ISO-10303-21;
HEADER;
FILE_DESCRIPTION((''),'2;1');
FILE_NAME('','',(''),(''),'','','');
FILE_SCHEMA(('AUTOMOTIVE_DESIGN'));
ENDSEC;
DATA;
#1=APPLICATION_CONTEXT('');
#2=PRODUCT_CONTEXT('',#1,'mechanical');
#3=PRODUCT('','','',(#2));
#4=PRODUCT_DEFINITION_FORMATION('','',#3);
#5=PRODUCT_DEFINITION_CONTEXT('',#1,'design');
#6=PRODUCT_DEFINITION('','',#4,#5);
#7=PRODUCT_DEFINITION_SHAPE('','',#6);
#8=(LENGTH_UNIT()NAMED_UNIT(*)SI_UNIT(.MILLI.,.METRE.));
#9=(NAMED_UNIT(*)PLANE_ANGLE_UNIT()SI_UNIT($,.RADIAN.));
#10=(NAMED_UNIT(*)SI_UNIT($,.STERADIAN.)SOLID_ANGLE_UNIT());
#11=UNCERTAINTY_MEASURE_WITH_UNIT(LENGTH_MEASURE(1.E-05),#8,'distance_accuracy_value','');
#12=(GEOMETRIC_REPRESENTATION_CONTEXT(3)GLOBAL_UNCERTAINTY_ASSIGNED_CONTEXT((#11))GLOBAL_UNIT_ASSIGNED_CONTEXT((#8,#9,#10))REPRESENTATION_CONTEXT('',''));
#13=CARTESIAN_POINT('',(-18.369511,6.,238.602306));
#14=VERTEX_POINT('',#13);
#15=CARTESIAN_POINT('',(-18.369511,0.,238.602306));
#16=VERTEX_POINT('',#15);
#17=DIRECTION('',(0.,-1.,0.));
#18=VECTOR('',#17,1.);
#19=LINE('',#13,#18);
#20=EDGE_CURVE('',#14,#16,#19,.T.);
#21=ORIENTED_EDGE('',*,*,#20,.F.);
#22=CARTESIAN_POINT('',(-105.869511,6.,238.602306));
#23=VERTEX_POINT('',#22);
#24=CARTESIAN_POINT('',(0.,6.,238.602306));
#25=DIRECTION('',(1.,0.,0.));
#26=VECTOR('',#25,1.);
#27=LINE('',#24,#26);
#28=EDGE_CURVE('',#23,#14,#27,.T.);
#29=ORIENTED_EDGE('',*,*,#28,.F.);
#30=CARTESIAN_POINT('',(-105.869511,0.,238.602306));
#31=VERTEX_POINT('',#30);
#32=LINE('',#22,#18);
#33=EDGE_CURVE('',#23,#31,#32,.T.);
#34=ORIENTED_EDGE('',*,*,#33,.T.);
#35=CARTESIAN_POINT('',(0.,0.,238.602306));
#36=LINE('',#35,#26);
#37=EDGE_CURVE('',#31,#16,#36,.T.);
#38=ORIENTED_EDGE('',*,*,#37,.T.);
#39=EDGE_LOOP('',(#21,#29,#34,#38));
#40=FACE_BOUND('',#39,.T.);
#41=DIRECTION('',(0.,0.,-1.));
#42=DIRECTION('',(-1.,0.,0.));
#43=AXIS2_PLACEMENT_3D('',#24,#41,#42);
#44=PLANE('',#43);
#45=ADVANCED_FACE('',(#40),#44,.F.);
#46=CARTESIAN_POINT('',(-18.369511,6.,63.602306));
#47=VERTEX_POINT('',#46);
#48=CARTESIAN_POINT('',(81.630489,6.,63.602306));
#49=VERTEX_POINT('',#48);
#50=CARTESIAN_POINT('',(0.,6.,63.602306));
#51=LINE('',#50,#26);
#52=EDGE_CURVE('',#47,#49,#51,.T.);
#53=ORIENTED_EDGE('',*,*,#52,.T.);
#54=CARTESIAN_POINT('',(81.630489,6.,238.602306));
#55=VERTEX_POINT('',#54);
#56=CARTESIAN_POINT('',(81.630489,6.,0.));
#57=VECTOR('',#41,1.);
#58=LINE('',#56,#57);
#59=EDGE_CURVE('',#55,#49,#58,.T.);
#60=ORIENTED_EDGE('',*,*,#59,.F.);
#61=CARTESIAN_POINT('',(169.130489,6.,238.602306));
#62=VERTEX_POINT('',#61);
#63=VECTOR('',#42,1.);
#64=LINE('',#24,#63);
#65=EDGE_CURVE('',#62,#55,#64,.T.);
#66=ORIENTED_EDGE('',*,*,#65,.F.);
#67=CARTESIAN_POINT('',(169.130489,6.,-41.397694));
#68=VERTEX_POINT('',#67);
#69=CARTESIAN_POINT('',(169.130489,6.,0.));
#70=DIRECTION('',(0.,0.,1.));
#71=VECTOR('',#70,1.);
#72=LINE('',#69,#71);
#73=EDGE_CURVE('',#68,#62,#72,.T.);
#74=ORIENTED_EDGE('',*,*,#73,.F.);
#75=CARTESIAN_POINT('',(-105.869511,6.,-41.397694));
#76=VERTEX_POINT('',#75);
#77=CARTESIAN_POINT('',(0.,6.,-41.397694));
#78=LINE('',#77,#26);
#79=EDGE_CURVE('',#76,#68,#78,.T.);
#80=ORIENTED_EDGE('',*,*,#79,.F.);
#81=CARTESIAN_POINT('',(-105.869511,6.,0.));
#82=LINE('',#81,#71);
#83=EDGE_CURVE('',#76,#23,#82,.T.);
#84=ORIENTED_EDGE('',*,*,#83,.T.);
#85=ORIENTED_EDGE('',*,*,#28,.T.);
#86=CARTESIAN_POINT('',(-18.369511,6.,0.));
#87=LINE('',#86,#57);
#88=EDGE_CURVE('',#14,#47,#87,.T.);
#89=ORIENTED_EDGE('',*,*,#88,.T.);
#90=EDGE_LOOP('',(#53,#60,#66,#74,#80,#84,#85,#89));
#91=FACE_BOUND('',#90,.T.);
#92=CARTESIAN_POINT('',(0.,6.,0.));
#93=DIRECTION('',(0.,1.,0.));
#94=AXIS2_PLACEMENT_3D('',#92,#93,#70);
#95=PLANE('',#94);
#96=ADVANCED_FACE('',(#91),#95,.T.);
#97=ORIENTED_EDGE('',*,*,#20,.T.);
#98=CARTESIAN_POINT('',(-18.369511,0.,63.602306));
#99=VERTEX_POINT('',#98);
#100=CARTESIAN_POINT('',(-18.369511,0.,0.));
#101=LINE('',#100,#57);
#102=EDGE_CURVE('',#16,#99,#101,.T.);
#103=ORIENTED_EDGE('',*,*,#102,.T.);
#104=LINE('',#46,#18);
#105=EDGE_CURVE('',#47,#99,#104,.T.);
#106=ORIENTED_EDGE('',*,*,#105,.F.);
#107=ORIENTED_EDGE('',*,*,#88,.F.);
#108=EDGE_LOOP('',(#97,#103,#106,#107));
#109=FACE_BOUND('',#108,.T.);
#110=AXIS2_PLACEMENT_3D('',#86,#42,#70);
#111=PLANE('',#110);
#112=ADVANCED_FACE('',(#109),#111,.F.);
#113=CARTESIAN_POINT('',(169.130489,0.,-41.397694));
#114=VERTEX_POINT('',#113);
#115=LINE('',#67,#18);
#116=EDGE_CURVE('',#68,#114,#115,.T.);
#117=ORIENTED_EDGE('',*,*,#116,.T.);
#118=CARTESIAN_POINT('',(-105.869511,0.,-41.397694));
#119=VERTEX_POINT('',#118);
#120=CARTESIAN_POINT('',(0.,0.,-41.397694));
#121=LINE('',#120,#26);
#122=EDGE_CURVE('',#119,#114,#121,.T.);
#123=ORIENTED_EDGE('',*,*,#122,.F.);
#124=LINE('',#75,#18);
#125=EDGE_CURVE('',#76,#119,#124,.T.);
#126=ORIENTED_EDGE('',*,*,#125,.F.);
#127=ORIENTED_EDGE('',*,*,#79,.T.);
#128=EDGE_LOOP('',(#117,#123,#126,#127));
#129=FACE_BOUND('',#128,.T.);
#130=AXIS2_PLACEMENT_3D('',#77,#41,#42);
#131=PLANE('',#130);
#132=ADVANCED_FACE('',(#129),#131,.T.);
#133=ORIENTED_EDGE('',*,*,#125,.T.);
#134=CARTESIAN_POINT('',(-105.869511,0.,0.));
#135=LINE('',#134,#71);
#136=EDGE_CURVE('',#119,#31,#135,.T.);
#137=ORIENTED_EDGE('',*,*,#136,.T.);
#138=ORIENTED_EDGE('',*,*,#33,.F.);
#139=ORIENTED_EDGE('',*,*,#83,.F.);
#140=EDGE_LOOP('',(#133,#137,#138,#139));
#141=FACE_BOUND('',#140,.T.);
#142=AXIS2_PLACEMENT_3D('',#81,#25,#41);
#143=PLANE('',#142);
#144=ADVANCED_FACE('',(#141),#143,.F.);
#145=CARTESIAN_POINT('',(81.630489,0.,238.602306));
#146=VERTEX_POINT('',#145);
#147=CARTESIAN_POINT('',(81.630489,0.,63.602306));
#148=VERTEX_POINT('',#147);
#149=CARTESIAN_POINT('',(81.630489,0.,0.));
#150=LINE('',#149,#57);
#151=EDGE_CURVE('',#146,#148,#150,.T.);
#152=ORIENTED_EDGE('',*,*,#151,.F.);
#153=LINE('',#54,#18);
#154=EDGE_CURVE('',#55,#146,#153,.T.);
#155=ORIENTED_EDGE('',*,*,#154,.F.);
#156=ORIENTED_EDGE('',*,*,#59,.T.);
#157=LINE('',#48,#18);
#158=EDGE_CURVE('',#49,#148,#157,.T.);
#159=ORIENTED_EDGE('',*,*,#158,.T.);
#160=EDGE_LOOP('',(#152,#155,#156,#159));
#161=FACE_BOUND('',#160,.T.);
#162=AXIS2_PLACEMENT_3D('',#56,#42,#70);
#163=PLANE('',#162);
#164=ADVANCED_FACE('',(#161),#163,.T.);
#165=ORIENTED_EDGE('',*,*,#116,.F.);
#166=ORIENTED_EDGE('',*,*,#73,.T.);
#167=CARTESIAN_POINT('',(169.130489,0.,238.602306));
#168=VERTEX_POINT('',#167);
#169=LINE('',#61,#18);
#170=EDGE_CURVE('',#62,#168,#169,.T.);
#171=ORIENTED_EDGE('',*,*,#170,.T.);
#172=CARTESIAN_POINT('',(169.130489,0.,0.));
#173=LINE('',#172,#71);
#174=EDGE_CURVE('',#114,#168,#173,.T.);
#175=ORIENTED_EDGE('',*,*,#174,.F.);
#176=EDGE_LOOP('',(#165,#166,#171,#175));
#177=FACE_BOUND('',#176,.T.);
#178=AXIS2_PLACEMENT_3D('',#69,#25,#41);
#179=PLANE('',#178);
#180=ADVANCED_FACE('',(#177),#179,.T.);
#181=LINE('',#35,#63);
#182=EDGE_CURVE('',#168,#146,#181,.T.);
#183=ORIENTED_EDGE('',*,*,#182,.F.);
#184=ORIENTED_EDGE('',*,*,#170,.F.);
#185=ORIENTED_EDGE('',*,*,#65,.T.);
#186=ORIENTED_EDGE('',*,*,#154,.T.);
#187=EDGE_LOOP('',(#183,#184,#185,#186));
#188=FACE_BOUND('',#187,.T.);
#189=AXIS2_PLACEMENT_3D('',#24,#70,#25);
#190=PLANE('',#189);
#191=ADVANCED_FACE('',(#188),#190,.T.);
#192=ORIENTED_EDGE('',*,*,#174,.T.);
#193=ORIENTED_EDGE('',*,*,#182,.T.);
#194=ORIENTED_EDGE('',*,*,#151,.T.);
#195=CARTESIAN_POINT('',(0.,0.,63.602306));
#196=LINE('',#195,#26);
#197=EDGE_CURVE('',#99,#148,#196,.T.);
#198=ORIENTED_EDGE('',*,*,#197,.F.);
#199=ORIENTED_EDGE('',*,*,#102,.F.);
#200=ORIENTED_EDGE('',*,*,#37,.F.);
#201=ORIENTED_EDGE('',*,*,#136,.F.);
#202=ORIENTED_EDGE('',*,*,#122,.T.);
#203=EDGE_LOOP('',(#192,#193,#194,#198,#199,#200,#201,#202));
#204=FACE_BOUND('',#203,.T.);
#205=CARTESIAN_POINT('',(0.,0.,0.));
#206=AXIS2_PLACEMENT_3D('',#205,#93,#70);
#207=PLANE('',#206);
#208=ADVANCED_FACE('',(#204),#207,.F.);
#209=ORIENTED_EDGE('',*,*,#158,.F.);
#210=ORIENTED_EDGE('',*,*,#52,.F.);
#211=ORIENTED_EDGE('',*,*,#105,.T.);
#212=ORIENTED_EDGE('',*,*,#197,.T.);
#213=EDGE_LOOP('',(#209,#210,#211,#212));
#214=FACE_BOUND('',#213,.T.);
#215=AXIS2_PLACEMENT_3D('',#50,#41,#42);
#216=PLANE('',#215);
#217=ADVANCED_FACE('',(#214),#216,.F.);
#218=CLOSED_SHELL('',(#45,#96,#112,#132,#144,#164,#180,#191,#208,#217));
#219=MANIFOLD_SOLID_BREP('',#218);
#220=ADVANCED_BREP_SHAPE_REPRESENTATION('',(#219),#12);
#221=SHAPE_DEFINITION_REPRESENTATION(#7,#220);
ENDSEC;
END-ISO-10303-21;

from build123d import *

# Parameters (mm, degrees)
BOSS_EXTRUDE2_DEPTH = 6


with BuildPart() as part:
    # Sketch1 → Boss-Extrude2 (new body)
    with BuildSketch(Plane(origin=(0, 0, 0), x_dir=(1, 0, 0), z_dir=(0, 1, 0))):
        Polygon((-18.369511404, -238.602306438), (-18.369511404, -63.602306438), (81.630488596, -63.602306438), (81.630488596, -238.602306438), (169.130488596, -238.602306438), (169.130488596, 41.397693562), (-105.869511404, 41.397693562), (-105.869511404, -238.602306438), align=None)
    extrude(amount=BOSS_EXTRUDE2_DEPTH)


solid = part.part
